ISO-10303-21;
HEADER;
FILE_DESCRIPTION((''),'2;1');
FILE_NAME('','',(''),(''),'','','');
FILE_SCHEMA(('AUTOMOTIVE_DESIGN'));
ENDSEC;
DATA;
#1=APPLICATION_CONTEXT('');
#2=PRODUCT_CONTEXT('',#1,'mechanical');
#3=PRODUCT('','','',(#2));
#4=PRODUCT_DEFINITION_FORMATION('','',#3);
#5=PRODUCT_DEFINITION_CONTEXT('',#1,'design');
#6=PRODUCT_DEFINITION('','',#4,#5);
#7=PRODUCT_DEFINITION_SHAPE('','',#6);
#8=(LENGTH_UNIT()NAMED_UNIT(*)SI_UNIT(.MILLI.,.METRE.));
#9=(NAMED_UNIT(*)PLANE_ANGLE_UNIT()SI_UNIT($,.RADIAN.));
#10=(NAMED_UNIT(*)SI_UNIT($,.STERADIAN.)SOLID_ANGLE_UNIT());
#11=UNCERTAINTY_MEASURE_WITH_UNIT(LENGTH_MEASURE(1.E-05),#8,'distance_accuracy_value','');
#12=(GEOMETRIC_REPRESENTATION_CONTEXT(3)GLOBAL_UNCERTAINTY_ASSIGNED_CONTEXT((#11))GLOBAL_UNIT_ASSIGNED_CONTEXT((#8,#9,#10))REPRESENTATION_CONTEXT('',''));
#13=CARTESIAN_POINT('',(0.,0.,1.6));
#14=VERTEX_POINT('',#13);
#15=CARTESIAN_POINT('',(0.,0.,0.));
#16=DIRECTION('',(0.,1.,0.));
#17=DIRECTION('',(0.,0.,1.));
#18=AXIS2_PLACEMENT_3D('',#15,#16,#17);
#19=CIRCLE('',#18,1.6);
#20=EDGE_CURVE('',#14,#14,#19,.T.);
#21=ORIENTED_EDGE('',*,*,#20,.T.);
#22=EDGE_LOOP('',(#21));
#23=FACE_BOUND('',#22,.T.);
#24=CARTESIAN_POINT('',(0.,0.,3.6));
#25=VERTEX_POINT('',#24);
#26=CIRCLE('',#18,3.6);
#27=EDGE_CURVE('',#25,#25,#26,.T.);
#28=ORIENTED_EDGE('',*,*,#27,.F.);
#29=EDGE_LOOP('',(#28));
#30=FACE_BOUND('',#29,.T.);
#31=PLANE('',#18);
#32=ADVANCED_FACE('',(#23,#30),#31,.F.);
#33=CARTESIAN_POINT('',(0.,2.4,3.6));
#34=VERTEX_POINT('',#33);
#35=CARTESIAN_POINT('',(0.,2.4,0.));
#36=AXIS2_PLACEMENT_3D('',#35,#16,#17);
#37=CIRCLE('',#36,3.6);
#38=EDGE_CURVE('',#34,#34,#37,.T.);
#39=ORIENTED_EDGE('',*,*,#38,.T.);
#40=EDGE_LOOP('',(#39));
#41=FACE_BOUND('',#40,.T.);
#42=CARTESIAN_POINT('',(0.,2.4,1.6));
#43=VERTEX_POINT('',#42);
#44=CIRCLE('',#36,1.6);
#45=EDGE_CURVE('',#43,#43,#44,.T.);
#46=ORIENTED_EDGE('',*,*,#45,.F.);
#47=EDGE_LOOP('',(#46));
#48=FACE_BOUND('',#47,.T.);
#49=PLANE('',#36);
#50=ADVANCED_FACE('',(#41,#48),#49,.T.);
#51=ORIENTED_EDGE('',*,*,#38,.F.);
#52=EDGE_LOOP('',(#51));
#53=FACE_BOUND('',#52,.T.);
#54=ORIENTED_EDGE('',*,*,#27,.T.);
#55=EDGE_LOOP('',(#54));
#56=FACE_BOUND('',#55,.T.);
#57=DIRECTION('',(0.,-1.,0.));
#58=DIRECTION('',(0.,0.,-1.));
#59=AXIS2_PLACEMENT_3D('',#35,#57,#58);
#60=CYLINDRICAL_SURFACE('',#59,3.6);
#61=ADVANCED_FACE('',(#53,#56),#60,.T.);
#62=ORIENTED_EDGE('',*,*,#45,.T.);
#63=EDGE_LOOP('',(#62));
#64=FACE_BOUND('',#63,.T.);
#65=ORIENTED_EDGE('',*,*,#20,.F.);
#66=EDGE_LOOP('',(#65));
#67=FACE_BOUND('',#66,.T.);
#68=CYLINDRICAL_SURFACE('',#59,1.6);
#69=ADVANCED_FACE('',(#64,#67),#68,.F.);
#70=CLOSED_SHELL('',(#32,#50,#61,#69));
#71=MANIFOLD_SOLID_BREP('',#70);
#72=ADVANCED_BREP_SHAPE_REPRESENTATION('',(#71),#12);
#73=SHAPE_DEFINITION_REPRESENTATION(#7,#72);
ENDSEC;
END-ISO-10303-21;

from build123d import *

# Parameters (mm, degrees)
SKIZZE1_R                       = 3.6
SKIZZE1_R_2                     = 1.6
AUFSATZ_LINEAR_AUSTRAGEN1_DEPTH = 2.4


with BuildPart() as part:
    # Skizze1 → Aufsatz-Linear austragen1 (new body)
    with BuildSketch(Plane(origin=(0, 0, 0), x_dir=(1, 0, 0), z_dir=(0, 1, 0))):
        with Locations(Location((0, 0, 0), (0, 0, 270))):
            Circle(SKIZZE1_R)
        with Locations(Location((0, 0, 0), (0, 0, 270))):
            Circle(SKIZZE1_R_2, mode=Mode.SUBTRACT)
    extrude(amount=AUFSATZ_LINEAR_AUSTRAGEN1_DEPTH)


solid = part.part
